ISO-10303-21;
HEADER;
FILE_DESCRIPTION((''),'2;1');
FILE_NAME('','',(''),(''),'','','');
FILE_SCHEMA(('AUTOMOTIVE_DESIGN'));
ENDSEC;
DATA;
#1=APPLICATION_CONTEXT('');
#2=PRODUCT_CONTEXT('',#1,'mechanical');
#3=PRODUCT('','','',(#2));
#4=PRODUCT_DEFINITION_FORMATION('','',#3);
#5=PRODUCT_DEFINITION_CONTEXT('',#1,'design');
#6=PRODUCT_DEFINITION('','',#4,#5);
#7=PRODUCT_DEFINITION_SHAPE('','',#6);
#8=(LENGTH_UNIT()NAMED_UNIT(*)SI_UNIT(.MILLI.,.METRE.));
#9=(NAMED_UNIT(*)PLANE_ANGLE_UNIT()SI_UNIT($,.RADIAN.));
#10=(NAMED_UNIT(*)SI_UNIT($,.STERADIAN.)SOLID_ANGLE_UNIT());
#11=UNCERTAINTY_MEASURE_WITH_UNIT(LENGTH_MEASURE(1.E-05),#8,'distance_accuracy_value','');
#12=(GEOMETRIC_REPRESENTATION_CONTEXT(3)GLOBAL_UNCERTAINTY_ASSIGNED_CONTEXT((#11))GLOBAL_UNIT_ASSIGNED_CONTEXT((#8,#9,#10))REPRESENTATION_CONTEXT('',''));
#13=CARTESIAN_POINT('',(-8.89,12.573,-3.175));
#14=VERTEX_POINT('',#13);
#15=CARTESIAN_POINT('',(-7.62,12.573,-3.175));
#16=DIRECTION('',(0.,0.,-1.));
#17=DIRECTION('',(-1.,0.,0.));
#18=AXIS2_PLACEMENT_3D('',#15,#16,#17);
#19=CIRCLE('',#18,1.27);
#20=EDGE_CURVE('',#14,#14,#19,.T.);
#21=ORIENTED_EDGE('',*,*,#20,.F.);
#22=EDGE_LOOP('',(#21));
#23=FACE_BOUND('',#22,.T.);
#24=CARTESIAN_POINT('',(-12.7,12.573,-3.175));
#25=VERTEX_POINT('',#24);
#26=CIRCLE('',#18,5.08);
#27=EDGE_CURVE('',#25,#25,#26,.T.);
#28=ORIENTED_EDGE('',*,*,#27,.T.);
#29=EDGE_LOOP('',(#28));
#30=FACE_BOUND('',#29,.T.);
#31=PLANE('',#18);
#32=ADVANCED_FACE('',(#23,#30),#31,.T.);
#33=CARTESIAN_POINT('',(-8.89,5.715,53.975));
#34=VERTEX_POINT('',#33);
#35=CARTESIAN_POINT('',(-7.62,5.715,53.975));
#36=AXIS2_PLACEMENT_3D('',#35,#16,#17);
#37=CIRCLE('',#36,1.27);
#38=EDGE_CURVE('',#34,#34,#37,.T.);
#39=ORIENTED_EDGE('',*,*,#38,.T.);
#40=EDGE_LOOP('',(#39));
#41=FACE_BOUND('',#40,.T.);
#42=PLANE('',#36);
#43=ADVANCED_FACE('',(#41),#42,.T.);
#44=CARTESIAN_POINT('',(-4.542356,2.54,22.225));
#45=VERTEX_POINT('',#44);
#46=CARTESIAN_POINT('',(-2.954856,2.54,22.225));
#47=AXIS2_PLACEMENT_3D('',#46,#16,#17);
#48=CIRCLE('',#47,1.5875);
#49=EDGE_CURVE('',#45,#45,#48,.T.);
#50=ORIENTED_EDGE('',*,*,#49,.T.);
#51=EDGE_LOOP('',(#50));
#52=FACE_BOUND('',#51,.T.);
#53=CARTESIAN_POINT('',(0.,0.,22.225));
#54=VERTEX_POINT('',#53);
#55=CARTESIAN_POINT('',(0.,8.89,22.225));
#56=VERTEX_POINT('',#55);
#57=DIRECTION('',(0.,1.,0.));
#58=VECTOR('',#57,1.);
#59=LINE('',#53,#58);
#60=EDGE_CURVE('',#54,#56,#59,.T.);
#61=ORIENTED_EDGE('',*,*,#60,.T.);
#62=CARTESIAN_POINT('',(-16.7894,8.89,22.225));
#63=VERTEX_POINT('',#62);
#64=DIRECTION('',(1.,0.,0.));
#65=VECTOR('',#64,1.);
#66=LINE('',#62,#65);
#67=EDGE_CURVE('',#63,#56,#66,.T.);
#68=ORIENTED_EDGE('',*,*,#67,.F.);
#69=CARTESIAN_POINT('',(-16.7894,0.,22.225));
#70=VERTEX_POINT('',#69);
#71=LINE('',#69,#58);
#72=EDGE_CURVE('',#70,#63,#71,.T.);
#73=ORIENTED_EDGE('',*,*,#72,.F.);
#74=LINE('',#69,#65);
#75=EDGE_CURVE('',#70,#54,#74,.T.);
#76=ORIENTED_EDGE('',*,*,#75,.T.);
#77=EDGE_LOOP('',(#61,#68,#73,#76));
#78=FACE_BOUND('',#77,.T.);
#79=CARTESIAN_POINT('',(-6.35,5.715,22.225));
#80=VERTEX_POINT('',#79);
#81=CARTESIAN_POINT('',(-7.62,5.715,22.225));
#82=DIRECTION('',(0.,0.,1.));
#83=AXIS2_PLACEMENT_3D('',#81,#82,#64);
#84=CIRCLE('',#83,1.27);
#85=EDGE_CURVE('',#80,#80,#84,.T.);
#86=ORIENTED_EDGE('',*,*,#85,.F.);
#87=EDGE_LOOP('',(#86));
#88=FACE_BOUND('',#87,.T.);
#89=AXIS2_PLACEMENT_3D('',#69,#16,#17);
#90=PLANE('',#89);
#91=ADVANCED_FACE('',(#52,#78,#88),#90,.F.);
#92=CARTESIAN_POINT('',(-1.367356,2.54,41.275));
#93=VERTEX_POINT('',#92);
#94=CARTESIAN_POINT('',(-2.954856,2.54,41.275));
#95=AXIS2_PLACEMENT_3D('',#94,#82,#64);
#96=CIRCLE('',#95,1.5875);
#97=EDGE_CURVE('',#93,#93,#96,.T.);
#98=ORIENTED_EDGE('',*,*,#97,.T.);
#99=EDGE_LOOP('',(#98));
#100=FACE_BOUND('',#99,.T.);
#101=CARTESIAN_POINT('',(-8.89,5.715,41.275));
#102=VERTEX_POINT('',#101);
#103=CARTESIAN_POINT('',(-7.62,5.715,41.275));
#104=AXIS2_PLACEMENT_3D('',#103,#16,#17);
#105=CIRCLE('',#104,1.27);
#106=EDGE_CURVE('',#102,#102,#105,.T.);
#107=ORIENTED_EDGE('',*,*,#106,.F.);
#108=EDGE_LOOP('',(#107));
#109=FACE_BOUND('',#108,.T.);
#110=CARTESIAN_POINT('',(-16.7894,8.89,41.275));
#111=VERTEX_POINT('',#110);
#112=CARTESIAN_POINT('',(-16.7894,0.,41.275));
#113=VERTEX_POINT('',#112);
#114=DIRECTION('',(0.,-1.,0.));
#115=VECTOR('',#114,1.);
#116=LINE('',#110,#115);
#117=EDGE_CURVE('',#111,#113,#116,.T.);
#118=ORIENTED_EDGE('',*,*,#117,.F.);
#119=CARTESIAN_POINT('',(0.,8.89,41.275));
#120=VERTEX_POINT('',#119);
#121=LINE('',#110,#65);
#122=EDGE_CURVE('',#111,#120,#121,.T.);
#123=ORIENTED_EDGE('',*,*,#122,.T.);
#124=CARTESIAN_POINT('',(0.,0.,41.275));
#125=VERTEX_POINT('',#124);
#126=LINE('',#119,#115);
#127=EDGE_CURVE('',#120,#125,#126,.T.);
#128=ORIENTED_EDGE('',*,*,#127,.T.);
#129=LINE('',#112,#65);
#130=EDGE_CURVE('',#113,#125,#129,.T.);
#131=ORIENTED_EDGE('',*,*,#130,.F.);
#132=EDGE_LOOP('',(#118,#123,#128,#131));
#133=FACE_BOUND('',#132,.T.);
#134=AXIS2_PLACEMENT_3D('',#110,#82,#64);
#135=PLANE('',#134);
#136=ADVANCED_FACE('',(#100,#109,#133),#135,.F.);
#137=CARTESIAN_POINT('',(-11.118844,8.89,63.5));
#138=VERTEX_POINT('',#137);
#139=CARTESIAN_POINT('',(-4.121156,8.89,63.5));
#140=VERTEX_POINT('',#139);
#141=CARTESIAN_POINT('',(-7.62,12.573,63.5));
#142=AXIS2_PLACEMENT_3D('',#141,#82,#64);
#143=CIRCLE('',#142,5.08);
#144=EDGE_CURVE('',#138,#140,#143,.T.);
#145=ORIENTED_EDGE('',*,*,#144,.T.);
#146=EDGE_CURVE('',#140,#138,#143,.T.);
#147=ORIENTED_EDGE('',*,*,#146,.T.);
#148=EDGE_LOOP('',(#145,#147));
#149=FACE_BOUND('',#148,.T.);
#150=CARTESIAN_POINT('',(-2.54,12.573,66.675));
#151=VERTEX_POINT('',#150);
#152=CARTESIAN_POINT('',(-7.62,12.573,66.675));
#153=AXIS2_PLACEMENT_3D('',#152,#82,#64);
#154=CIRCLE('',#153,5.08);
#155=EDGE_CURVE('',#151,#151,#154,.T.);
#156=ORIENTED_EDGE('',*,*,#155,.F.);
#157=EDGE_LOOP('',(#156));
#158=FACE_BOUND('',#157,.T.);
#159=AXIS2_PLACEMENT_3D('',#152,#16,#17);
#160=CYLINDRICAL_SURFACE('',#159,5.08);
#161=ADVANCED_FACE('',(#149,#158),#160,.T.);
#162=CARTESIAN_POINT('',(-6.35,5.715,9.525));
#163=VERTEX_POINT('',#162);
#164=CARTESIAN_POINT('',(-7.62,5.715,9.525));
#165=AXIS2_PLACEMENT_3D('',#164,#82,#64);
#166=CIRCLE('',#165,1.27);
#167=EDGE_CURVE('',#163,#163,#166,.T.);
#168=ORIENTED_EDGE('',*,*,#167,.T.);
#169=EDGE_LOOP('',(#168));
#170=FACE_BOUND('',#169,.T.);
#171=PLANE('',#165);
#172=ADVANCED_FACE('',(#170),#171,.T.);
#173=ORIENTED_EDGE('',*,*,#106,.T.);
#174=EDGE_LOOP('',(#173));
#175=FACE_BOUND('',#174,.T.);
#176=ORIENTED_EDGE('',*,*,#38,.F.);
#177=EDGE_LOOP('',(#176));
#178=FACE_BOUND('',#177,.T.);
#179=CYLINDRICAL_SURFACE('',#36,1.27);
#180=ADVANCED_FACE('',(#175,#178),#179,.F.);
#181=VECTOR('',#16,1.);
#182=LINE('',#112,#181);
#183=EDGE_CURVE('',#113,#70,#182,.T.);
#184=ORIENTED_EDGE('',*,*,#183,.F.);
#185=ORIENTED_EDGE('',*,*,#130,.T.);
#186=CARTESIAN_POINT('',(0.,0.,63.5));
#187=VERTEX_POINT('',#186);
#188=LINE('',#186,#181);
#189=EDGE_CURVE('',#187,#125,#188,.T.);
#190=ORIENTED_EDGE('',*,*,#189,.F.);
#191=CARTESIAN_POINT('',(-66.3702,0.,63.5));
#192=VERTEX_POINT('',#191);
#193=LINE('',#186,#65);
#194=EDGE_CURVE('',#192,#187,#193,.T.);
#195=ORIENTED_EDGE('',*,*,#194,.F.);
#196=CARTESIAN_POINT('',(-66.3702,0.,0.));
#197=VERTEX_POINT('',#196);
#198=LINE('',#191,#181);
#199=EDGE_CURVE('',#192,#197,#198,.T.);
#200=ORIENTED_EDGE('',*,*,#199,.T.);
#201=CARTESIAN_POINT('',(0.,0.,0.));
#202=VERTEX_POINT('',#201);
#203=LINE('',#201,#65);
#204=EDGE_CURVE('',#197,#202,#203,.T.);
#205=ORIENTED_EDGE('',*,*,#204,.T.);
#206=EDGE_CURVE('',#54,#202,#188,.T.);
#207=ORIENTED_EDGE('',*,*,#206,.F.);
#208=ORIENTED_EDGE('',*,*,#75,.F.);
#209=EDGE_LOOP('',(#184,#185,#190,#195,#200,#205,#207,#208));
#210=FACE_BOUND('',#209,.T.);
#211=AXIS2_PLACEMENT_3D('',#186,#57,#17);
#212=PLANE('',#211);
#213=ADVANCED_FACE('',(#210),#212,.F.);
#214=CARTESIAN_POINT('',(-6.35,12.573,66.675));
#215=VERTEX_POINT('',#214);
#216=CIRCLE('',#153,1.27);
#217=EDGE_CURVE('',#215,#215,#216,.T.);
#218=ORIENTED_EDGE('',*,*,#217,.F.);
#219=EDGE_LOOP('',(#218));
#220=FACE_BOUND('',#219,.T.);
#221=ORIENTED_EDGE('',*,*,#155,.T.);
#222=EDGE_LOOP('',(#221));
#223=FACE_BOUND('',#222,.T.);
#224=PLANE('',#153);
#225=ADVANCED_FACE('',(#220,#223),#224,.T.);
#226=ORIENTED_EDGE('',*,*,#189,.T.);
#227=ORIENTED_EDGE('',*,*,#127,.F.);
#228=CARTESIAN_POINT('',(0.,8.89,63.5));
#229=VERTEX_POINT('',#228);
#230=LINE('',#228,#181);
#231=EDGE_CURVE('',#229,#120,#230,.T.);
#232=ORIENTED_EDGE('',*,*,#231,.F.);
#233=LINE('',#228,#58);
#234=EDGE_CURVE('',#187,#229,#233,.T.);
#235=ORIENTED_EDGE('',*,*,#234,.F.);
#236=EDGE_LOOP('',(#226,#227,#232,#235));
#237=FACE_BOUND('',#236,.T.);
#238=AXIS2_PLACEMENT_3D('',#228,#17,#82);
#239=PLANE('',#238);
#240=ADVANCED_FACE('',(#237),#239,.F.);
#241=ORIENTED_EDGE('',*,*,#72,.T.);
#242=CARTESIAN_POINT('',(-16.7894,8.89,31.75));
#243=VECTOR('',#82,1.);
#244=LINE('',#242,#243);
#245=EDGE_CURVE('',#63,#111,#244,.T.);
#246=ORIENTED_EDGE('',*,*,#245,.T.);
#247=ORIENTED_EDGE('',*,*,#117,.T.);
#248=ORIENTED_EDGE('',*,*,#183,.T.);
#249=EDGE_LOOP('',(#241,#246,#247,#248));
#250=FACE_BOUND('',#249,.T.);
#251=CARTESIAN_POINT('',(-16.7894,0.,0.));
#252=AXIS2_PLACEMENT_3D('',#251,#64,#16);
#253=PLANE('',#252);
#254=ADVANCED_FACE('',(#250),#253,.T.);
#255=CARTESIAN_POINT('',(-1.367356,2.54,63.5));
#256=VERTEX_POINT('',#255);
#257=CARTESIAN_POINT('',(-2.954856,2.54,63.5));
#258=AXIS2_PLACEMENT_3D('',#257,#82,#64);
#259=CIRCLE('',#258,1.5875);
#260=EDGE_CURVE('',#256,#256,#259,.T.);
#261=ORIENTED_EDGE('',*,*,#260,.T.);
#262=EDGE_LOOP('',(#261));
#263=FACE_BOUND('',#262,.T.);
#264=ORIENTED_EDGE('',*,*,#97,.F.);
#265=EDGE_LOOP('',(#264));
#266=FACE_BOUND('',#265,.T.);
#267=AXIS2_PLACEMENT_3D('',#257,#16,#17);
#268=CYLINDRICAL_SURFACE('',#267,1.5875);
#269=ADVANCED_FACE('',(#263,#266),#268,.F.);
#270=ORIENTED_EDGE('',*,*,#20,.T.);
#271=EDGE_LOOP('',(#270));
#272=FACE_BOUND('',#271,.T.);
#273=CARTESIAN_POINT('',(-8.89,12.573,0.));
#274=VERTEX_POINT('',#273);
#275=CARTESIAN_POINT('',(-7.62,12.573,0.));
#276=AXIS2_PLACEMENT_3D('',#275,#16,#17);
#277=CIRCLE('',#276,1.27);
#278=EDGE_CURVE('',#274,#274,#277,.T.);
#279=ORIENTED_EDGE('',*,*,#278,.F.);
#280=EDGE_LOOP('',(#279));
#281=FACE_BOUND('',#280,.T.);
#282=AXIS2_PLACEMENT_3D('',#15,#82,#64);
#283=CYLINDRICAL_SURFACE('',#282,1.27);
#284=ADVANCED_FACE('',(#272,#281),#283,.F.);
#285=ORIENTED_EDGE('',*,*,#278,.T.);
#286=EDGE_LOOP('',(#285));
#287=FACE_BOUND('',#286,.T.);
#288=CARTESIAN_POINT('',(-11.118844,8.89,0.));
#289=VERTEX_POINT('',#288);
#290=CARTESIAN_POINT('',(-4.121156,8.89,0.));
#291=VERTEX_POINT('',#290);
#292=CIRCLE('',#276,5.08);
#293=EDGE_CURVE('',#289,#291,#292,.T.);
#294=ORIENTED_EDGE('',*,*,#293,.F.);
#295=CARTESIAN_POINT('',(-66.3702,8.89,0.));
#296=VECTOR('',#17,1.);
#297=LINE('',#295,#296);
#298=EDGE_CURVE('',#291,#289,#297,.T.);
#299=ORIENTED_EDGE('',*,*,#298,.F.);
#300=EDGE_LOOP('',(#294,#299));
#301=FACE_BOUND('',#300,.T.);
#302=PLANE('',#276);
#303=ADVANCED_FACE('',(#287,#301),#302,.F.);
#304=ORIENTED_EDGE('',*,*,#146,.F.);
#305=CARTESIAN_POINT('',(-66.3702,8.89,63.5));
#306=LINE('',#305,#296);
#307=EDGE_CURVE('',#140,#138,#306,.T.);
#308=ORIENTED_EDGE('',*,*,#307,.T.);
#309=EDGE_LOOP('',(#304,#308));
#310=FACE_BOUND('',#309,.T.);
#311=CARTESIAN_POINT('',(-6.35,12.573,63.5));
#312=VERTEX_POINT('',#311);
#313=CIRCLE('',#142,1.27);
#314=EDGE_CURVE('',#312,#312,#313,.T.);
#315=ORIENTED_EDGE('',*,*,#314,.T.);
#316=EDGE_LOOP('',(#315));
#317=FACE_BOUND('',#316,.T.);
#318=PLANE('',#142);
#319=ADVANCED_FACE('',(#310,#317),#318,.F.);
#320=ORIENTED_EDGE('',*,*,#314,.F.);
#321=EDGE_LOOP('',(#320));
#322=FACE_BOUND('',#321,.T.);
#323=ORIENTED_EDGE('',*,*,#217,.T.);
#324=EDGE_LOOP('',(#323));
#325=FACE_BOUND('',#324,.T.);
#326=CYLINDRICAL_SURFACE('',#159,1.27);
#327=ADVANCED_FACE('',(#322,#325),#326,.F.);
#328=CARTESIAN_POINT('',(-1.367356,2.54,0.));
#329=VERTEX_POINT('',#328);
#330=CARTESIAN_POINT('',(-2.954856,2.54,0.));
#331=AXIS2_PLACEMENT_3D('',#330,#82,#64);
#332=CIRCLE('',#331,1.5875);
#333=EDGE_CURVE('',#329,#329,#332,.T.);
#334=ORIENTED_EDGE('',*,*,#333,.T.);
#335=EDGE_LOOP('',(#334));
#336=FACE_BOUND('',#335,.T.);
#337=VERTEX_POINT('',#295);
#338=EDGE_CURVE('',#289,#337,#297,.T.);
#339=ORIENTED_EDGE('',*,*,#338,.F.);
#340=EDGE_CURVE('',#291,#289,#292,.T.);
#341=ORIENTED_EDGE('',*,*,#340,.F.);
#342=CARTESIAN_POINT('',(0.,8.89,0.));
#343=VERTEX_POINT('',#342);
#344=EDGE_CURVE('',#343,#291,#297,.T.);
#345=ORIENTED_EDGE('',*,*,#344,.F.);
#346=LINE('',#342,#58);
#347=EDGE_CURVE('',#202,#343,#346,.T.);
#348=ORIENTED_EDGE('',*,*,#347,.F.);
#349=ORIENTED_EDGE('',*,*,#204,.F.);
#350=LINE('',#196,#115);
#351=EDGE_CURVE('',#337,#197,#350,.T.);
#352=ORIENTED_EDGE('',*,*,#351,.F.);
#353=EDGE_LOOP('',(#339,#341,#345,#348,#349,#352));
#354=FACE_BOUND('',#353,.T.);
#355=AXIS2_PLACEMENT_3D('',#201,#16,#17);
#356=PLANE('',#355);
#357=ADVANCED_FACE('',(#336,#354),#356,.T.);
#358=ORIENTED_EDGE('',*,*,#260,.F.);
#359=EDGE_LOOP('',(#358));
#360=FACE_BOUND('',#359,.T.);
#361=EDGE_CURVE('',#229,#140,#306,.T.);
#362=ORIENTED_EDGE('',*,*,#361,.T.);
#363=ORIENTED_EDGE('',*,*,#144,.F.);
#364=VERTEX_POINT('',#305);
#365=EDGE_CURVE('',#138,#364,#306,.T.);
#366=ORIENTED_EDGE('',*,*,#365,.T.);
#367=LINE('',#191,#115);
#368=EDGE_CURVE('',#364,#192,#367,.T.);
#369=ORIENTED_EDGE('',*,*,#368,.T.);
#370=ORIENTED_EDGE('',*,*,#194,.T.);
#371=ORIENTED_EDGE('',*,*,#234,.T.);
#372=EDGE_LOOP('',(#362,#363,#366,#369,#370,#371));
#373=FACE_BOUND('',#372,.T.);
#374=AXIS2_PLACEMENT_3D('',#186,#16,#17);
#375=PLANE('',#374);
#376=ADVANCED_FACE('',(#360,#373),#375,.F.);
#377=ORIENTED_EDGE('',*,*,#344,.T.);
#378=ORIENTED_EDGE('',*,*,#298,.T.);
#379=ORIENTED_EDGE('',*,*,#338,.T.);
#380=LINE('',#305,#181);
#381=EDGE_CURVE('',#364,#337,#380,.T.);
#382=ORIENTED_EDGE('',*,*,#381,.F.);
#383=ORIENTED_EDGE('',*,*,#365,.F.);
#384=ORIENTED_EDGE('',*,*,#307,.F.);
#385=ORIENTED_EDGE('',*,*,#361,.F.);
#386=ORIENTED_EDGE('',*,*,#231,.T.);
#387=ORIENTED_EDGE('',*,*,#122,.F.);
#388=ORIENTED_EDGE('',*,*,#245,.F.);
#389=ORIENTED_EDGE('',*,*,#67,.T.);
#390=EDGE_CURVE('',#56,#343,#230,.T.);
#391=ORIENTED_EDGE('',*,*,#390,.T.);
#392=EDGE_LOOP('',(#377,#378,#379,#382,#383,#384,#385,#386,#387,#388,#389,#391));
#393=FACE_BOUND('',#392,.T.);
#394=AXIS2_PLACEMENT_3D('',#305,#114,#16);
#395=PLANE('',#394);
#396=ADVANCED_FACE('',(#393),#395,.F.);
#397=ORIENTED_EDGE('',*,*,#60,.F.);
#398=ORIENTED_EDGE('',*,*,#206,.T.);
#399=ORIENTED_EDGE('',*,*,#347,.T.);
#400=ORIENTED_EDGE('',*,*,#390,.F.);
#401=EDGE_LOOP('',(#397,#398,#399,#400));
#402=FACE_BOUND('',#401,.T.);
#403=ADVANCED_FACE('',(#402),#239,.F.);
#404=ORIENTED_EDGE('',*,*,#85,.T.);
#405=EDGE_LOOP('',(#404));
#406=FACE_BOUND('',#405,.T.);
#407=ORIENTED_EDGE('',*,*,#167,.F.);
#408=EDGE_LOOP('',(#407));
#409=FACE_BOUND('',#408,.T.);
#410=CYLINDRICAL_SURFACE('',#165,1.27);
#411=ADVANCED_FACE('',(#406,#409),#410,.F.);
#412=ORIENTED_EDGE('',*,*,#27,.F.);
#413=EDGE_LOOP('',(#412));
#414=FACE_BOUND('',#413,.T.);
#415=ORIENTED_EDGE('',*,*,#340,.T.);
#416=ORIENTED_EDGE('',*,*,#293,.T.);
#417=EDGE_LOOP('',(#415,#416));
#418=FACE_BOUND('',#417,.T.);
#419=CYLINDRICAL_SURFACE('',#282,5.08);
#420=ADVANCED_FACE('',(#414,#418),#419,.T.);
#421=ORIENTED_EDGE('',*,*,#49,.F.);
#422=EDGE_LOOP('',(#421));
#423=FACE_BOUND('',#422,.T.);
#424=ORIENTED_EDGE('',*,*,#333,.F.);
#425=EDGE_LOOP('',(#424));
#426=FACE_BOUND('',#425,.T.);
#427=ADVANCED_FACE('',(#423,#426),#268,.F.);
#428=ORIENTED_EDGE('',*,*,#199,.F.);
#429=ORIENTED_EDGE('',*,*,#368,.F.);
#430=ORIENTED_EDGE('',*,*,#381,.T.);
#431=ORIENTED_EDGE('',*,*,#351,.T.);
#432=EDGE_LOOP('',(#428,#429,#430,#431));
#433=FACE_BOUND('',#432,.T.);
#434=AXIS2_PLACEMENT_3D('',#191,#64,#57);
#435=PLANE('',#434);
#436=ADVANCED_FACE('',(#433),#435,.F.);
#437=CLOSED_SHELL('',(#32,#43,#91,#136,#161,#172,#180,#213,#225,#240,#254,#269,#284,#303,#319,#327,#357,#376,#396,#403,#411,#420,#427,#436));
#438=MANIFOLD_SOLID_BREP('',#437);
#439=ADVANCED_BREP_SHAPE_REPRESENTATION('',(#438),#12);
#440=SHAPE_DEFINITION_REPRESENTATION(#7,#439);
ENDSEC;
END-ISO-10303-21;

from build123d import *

# Parameters (mm, degrees)
SKETCH1_W           = 66.3702
SKETCH1_H           = 8.89
SKETCH1_R           = 1.5875
BOSS_EXTRUDE2_DEPTH = 63.5
CUT_EXTRUDE1_DEPTH  = 16.7894
SKETCH3_R           = 1.27
CUT_EXTRUDE2_DEPTH  = 12.7
CUT_EXTRUDE3_START  = -12.7
SKETCH4_R           = 1.27
CUT_EXTRUDE3_DEPTH  = 12.7
SKETCH5_R           = 5.08
SKETCH5_R_2         = 1.27
BOSS_EXTRUDE3_DEPTH = 3.175
BOSS_EXTRUDE4_START = 3.175
SKETCH6_R           = 5.08
SKETCH6_R_2         = 1.27
BOSS_EXTRUDE4_DEPTH = 3.175


with BuildPart() as part:
    # Sketch1 → Boss-Extrude2 (new body)
    with BuildSketch(Plane.XY):
        with Locations((-33.1851, 4.445)):
            Rectangle(SKETCH1_W, SKETCH1_H)
        with Locations((-2.954856457, 2.54)):
            Circle(SKETCH1_R, mode=Mode.SUBTRACT)
    extrude(amount=BOSS_EXTRUDE2_DEPTH)

    # Sketch2 → Cut-Extrude1 (cut)
    with BuildSketch(Plane(origin=(0, 0, 0), x_dir=(0, 0, -1), z_dir=(1, 0, 0))):
        Polygon((-31.75, 8.89), (-22.225, 8.89), (-22.225, 0), (-41.275, 0), (-41.275, 8.89), align=None)
    extrude(amount=-CUT_EXTRUDE1_DEPTH, mode=Mode.SUBTRACT)

    # Sketch3 → Cut-Extrude2 (cut)
    with BuildSketch(Plane(origin=(0, 0, 41.275), x_dir=(-1, 0, 0), z_dir=(0, 0, -1))):
        with Locations((7.62, 5.715)):
            Circle(SKETCH3_R)
    extrude(amount=-CUT_EXTRUDE2_DEPTH, mode=Mode.SUBTRACT)

    # Sketch4 → Cut-Extrude3 (cut)
    with BuildSketch(Plane.XY.offset(22.225).offset(CUT_EXTRUDE3_START)):
        with Locations(Location((-7.62, 5.715, 0), (0, 0, 180))):
            Circle(SKETCH4_R)
    extrude(amount=CUT_EXTRUDE3_DEPTH, mode=Mode.SUBTRACT)

    # Sketch5 → Boss-Extrude3 (add)
    with BuildSketch(Plane.XY.offset(63.5)):
        with Locations(Location((-7.62, 12.573, 0), (0, 0, 226.468847833))):
            Circle(SKETCH5_R)
        with Locations((-7.62, 12.573)):
            Circle(SKETCH5_R_2, mode=Mode.SUBTRACT)
    extrude(amount=BOSS_EXTRUDE3_DEPTH)

    # Sketch6 → Boss-Extrude4 (add)
    with BuildSketch(Plane(origin=(0, 0, 0), x_dir=(-1, 0, 0), z_dir=(0, 0, -1)).offset(BOSS_EXTRUDE4_START)):
        with Locations(Location((7.62, 12.573, 0), (0, 0, 313.531152167))):
            Circle(SKETCH6_R)
        with Locations(Location((7.62, 12.573, 0), (0, 0, 180))):
            Circle(SKETCH6_R_2, mode=Mode.SUBTRACT)
    extrude(amount=-BOSS_EXTRUDE4_DEPTH)


solid = part.part
